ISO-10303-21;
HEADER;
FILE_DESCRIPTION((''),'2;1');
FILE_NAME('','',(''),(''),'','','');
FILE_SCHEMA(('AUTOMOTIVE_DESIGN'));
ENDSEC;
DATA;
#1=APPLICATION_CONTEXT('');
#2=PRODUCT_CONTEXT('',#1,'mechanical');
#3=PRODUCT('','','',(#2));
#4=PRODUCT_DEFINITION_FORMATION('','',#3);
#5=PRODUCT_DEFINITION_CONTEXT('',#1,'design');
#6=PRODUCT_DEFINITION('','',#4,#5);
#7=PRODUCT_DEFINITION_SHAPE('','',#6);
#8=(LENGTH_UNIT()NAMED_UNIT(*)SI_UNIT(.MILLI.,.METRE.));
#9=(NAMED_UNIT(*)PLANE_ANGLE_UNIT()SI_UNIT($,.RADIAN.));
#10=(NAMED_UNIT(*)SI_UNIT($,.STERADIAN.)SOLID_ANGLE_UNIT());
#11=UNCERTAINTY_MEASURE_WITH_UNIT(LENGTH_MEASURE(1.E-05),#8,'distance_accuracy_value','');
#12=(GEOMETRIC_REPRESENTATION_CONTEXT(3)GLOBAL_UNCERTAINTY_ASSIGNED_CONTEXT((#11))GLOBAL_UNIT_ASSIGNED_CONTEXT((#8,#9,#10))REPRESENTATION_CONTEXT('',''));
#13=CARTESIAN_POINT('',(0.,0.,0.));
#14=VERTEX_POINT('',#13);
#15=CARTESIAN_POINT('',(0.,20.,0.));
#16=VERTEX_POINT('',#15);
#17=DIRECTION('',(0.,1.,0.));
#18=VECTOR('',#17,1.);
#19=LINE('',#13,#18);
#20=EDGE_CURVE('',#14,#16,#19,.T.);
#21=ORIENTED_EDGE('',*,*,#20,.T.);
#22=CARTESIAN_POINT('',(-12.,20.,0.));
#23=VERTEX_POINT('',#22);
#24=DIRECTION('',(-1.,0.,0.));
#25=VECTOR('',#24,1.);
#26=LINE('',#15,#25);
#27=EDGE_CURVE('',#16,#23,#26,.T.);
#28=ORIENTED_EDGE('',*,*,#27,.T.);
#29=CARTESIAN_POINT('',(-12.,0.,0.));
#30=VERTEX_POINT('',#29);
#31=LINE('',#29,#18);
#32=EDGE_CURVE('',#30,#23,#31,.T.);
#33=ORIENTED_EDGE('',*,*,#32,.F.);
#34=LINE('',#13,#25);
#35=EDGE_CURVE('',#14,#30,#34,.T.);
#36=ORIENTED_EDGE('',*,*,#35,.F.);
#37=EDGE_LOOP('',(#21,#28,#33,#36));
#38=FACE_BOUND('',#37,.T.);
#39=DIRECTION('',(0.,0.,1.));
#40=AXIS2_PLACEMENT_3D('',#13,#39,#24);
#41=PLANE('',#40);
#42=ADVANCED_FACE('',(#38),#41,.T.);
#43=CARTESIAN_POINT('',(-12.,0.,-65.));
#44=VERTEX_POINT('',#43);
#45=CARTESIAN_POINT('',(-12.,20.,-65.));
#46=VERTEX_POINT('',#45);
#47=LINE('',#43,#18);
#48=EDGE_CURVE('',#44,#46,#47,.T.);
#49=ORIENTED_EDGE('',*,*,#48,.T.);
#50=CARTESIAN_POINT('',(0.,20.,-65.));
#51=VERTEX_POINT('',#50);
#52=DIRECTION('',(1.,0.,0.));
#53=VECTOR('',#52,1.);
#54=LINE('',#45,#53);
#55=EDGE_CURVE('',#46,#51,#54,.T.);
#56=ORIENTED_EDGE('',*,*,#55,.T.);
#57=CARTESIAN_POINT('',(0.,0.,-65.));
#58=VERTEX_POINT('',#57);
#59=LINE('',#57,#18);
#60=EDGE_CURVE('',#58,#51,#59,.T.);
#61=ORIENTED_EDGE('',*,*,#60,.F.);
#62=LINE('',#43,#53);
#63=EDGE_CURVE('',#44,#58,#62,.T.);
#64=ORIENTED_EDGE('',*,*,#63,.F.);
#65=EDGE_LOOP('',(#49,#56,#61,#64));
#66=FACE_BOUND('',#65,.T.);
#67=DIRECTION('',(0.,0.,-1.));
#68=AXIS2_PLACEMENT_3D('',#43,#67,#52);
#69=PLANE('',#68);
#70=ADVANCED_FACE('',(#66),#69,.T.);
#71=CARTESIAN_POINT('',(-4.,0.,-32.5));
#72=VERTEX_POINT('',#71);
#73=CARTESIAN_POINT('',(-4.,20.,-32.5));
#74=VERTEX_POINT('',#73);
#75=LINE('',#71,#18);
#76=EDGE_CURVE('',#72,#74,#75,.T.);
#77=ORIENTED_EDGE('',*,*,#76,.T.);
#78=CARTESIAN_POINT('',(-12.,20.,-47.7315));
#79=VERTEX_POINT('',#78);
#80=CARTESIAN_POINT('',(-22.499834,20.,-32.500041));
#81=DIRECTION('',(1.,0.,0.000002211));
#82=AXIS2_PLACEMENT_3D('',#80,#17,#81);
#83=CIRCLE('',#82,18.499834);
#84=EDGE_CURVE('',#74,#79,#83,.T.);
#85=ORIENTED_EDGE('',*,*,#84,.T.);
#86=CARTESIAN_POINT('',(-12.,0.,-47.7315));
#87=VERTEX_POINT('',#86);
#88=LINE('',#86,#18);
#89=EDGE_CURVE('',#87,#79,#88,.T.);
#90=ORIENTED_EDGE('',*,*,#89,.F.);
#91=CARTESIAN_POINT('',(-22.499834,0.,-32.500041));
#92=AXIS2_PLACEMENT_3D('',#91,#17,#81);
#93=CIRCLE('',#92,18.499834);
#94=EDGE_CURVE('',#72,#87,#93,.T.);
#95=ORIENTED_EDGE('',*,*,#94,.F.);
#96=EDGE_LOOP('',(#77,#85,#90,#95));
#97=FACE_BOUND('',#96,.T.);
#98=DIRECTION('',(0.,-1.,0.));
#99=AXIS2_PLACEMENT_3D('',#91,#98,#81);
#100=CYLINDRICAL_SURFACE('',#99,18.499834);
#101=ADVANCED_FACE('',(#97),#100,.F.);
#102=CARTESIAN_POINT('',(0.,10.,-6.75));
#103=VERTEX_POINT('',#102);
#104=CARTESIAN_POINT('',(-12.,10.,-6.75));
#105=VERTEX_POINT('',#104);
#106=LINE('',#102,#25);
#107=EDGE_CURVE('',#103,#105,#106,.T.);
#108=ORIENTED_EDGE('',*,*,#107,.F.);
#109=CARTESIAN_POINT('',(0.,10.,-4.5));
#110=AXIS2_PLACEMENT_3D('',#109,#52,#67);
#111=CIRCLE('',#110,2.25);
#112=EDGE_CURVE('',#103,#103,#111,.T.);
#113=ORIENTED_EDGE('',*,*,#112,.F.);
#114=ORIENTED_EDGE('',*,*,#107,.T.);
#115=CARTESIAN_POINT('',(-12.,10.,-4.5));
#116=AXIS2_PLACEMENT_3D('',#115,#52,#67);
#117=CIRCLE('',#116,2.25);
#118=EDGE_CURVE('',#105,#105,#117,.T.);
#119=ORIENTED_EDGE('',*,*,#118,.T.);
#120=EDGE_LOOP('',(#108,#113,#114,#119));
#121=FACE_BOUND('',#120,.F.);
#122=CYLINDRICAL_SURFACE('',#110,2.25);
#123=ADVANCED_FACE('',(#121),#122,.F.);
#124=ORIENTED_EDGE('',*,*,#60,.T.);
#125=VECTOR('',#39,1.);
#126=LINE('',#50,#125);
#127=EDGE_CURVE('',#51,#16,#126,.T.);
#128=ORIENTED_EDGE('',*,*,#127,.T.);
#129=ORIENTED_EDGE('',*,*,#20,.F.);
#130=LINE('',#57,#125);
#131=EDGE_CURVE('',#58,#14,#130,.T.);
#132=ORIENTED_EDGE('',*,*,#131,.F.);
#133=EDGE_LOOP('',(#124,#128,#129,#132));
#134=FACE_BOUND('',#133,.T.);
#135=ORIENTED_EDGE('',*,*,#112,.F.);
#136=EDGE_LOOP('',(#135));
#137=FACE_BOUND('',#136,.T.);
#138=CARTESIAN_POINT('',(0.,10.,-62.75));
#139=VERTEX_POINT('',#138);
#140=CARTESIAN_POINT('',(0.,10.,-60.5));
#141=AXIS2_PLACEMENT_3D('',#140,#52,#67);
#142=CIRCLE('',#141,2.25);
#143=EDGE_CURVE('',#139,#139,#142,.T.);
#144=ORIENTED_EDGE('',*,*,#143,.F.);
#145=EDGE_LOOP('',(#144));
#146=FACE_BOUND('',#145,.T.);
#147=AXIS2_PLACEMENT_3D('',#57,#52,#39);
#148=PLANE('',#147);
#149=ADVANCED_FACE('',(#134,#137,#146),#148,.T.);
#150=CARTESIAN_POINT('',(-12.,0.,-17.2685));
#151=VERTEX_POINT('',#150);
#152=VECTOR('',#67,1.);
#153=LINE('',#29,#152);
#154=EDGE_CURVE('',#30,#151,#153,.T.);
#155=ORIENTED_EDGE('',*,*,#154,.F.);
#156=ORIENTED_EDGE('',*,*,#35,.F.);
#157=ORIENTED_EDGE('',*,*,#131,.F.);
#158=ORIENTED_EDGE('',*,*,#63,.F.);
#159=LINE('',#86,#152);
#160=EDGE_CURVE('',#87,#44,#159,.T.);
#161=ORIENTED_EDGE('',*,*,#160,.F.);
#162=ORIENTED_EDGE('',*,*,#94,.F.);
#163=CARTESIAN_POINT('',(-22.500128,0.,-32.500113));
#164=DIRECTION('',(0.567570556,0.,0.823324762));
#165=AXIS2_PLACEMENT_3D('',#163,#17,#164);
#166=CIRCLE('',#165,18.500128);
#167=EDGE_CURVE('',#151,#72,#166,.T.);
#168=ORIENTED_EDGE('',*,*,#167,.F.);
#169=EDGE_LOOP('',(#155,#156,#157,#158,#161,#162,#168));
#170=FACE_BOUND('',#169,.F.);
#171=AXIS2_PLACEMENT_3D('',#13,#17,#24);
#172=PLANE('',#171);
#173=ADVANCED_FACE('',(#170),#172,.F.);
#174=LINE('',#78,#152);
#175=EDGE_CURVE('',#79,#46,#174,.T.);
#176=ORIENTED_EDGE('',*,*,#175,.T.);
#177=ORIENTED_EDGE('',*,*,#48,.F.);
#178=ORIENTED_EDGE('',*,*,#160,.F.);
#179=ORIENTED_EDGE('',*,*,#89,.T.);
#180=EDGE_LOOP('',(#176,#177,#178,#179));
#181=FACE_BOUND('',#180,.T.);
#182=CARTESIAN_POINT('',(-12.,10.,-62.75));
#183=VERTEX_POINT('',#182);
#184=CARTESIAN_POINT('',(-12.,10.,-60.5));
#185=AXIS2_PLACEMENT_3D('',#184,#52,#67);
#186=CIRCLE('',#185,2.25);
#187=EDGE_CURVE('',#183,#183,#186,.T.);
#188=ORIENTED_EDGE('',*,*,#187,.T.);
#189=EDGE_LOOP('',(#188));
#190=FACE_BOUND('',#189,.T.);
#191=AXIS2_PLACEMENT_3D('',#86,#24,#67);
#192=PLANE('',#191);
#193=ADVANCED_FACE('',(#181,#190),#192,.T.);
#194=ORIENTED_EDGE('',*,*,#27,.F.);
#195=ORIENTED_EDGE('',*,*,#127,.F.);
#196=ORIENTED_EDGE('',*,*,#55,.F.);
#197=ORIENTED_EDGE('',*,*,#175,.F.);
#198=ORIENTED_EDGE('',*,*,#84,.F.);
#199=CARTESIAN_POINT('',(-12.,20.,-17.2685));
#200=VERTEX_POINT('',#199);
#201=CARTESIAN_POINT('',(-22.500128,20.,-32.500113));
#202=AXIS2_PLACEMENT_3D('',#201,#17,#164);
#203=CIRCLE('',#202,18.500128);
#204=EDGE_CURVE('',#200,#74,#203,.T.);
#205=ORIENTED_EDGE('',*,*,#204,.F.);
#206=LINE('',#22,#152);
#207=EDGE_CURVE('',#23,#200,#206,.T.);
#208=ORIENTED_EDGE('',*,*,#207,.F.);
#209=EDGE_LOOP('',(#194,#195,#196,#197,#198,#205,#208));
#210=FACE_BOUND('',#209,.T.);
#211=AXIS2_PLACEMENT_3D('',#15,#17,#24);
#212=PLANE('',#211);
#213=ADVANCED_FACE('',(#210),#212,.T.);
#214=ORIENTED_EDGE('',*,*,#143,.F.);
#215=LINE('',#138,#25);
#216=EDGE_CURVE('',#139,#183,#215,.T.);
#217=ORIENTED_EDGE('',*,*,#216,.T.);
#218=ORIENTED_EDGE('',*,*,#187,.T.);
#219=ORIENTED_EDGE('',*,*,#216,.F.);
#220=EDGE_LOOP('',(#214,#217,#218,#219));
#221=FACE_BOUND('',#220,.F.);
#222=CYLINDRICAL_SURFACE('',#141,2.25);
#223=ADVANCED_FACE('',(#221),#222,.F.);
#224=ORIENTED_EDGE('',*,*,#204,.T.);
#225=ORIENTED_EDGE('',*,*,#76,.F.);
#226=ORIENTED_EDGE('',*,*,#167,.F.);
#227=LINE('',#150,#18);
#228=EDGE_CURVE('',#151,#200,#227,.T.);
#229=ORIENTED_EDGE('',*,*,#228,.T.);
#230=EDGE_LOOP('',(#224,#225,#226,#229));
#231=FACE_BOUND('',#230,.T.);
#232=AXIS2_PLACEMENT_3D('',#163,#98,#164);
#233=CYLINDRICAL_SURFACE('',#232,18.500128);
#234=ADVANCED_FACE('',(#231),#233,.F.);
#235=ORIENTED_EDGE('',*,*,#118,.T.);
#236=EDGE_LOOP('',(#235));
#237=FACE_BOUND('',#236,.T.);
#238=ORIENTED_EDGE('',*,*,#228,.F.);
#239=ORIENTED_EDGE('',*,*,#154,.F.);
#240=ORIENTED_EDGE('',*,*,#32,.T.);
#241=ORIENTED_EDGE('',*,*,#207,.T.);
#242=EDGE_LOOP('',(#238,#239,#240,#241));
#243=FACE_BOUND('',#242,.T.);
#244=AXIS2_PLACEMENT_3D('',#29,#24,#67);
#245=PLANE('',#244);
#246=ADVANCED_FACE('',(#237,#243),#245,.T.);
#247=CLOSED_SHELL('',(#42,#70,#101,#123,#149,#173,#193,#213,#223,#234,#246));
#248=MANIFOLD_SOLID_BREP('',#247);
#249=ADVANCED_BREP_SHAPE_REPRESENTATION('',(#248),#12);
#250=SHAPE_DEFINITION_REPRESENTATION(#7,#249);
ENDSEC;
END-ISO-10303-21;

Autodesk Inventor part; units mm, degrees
ref_plane "YZ Plane" through (0, 0, 0) normal (1, 0, 0) x (0, 1, 0)
ref_plane "XZ Plane" through (0, 0, 0) normal (0, 1, 0) x (-1, 0, 0)
ref_plane "XY Plane" through (0, 0, 0) normal (0, 0, 1) x (1, 0, 0)
sketch "Эскиз1" plane through (0, 0, 0) normal (0, 1, 0) x (-1, 0, 0)
  line L0 (0, 0) -> (12, 0)
  line L1 (12, 0) -> (12, -65) construction
  line L2 (12, -65) -> (0, -65)
  line L3 (0, -65) -> (0, 0)
  line L4 (12, -32.5) -> (76.135, -32.5) construction
  line L5 (4, -10.5388) -> (4, -61.1006) construction
  arc A0 (12, -17.2685) -> (4, -32.5) centre (22.5, -32.5) ccw
  line L6 (12, 0) -> (12, -17.2685)
  line L7 (12, -47.7315) -> (12, -65)
  arc A1 (4, -32.5) -> (12, -47.7315) centre (22.5, -32.5) ccw
  dimension "d0" = 12
  dimension "d1" = 65
  dimension "d3" = 4
  dimension "d4" = 18.5
extrude "Выдавливание1" add sketch "Эскиз1" along normal blind 20
sketch "Эскиз2" plane through (0, 0, 0) normal (1, 0, 0) x (0, 0, -1)
  line L0 (-3.5439, 10) -> (68.6351, 10) construction
  circle A0 centre (4.5, 10) radius 2.25
  circle A1 centre (60.5, 10) radius 2.25
  line L1 (0, 20) -> (65, 20) projected
  line L2 (32.5, 20) -> (32.5, 14.1463) construction
  point P0 (0, 0)
  dimension "d7" = 10
  dimension "d8" = 4.5
  dimension "d9" = 56
extrude "Выдавливание2" cut sketch "Эскиз2" against normal blind 200
properties part number "05-01-Кронштейн низ"
